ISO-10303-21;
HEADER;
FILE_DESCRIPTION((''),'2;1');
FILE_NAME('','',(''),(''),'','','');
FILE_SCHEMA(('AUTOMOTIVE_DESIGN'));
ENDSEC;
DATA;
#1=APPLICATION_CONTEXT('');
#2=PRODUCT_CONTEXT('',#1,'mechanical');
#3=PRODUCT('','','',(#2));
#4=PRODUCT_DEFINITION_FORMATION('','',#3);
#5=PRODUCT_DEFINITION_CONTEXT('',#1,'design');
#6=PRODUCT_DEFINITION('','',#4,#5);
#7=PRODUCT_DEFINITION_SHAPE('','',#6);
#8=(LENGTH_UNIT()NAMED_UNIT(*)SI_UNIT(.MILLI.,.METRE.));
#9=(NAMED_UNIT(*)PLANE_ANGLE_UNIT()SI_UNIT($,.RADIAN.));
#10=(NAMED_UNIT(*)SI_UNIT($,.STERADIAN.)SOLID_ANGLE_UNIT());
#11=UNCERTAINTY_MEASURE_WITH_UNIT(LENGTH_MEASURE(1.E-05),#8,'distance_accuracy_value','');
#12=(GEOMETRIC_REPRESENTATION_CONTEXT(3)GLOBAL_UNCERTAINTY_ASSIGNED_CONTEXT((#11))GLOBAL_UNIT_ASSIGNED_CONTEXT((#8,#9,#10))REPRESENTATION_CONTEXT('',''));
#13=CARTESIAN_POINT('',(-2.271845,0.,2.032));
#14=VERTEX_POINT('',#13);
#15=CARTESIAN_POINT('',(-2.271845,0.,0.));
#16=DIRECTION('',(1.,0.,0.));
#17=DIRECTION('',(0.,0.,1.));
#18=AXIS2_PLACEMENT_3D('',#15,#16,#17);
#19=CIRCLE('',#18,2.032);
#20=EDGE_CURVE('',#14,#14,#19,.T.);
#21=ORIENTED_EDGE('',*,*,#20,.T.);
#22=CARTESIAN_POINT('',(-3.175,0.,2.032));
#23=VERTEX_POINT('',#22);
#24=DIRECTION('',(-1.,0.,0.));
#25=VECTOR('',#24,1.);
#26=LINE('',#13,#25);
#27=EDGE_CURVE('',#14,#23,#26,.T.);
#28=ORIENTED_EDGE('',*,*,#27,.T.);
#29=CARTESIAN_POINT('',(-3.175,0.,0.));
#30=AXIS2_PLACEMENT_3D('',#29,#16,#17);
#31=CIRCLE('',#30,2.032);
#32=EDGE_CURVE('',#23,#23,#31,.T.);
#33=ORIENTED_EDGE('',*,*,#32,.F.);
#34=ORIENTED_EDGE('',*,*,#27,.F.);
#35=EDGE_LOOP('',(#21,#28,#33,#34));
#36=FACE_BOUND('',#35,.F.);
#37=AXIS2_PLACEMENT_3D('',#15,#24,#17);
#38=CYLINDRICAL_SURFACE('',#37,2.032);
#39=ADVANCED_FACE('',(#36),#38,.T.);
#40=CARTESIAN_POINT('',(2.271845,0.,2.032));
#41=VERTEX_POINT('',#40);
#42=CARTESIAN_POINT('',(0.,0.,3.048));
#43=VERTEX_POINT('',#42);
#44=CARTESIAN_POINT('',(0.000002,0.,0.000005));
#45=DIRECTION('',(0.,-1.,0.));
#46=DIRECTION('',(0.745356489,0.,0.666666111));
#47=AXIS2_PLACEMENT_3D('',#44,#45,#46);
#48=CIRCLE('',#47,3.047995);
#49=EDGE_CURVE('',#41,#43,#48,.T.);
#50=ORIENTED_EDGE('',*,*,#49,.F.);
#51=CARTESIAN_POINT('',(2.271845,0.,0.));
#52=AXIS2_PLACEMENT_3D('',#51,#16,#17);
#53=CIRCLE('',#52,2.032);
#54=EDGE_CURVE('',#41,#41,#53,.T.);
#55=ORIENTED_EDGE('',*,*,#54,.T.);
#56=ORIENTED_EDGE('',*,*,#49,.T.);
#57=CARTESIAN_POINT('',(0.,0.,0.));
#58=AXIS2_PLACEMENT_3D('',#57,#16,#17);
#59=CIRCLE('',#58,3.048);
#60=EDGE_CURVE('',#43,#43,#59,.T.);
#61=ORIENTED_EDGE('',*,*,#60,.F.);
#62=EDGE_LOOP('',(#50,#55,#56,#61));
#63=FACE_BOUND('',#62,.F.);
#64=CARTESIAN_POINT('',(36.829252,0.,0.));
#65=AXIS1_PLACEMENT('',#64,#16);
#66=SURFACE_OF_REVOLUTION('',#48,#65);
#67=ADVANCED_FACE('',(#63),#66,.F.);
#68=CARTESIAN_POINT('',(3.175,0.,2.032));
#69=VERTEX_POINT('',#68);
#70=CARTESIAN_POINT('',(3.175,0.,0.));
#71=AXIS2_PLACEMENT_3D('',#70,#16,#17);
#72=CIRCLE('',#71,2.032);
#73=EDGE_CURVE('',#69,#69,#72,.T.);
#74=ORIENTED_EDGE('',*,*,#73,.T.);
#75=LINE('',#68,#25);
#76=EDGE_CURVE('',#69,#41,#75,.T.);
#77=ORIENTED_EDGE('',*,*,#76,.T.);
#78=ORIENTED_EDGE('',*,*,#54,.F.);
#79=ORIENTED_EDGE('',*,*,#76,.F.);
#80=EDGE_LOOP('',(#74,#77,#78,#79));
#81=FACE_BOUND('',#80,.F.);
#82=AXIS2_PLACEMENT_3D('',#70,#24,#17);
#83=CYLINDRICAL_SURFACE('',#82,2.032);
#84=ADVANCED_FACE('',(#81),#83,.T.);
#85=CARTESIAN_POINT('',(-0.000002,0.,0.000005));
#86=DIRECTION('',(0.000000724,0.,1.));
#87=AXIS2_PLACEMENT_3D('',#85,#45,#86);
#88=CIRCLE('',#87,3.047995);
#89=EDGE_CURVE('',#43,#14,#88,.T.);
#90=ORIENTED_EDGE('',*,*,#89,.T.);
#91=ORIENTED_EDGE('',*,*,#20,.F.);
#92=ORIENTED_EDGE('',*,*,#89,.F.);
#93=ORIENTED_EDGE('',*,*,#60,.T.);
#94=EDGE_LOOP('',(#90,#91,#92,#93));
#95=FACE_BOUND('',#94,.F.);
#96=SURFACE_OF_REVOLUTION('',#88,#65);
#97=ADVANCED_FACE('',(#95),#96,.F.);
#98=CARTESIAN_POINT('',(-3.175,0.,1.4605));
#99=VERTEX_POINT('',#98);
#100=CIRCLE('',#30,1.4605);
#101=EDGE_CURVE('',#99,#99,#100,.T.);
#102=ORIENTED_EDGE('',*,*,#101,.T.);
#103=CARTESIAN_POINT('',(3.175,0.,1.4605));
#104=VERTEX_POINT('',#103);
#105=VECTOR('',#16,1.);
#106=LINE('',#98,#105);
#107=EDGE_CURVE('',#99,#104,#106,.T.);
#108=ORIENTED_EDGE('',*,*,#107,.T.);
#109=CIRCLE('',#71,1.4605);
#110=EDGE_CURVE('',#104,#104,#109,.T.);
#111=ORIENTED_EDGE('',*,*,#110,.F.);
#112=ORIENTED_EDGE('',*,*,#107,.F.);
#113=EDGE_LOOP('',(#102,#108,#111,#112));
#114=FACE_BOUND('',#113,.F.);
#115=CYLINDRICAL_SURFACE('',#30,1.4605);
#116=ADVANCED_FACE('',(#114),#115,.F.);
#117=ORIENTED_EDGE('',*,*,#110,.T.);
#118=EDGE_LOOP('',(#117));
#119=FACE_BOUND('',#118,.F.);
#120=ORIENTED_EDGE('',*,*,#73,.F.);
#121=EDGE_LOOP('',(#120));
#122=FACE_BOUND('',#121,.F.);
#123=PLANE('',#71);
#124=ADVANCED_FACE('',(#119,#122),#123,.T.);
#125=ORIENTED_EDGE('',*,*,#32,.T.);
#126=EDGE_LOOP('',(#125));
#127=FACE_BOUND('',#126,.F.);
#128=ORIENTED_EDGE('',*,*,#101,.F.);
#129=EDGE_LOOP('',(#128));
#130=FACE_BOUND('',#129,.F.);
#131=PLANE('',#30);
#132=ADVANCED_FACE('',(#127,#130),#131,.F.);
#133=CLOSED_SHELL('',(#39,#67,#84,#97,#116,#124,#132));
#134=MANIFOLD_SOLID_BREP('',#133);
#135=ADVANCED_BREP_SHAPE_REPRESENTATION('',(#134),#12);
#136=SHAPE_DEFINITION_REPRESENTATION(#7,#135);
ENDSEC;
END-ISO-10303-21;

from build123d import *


with BuildPart() as f1:
    # F0 (on Front) → F1 (revolve)
    with BuildSketch(Plane.XZ):
        with BuildLine():
            Line((3.175, 2.032), (2.271845, 2.032))
            ThreePointArc((2.271845, 2.032), (1.244341, 2.782431), (0, 3.048))
            ThreePointArc((0, 3.048), (-1.244341, 2.782431), (-2.271845, 2.032))
            Line((-2.271845, 2.032), (-3.175, 2.032))
            Line((-3.175, 2.032), (-3.175, 1.4605))
            Line((-3.175, 1.4605), (0, 1.4605))
            Line((0, 1.4605), (3.175, 1.4605))
            Line((3.175, 1.4605), (3.175, 2.032))
        make_face()
    revolve(axis=Axis((36.829252, 0, 0), (1, 0, 0)))


solid = f1.part
